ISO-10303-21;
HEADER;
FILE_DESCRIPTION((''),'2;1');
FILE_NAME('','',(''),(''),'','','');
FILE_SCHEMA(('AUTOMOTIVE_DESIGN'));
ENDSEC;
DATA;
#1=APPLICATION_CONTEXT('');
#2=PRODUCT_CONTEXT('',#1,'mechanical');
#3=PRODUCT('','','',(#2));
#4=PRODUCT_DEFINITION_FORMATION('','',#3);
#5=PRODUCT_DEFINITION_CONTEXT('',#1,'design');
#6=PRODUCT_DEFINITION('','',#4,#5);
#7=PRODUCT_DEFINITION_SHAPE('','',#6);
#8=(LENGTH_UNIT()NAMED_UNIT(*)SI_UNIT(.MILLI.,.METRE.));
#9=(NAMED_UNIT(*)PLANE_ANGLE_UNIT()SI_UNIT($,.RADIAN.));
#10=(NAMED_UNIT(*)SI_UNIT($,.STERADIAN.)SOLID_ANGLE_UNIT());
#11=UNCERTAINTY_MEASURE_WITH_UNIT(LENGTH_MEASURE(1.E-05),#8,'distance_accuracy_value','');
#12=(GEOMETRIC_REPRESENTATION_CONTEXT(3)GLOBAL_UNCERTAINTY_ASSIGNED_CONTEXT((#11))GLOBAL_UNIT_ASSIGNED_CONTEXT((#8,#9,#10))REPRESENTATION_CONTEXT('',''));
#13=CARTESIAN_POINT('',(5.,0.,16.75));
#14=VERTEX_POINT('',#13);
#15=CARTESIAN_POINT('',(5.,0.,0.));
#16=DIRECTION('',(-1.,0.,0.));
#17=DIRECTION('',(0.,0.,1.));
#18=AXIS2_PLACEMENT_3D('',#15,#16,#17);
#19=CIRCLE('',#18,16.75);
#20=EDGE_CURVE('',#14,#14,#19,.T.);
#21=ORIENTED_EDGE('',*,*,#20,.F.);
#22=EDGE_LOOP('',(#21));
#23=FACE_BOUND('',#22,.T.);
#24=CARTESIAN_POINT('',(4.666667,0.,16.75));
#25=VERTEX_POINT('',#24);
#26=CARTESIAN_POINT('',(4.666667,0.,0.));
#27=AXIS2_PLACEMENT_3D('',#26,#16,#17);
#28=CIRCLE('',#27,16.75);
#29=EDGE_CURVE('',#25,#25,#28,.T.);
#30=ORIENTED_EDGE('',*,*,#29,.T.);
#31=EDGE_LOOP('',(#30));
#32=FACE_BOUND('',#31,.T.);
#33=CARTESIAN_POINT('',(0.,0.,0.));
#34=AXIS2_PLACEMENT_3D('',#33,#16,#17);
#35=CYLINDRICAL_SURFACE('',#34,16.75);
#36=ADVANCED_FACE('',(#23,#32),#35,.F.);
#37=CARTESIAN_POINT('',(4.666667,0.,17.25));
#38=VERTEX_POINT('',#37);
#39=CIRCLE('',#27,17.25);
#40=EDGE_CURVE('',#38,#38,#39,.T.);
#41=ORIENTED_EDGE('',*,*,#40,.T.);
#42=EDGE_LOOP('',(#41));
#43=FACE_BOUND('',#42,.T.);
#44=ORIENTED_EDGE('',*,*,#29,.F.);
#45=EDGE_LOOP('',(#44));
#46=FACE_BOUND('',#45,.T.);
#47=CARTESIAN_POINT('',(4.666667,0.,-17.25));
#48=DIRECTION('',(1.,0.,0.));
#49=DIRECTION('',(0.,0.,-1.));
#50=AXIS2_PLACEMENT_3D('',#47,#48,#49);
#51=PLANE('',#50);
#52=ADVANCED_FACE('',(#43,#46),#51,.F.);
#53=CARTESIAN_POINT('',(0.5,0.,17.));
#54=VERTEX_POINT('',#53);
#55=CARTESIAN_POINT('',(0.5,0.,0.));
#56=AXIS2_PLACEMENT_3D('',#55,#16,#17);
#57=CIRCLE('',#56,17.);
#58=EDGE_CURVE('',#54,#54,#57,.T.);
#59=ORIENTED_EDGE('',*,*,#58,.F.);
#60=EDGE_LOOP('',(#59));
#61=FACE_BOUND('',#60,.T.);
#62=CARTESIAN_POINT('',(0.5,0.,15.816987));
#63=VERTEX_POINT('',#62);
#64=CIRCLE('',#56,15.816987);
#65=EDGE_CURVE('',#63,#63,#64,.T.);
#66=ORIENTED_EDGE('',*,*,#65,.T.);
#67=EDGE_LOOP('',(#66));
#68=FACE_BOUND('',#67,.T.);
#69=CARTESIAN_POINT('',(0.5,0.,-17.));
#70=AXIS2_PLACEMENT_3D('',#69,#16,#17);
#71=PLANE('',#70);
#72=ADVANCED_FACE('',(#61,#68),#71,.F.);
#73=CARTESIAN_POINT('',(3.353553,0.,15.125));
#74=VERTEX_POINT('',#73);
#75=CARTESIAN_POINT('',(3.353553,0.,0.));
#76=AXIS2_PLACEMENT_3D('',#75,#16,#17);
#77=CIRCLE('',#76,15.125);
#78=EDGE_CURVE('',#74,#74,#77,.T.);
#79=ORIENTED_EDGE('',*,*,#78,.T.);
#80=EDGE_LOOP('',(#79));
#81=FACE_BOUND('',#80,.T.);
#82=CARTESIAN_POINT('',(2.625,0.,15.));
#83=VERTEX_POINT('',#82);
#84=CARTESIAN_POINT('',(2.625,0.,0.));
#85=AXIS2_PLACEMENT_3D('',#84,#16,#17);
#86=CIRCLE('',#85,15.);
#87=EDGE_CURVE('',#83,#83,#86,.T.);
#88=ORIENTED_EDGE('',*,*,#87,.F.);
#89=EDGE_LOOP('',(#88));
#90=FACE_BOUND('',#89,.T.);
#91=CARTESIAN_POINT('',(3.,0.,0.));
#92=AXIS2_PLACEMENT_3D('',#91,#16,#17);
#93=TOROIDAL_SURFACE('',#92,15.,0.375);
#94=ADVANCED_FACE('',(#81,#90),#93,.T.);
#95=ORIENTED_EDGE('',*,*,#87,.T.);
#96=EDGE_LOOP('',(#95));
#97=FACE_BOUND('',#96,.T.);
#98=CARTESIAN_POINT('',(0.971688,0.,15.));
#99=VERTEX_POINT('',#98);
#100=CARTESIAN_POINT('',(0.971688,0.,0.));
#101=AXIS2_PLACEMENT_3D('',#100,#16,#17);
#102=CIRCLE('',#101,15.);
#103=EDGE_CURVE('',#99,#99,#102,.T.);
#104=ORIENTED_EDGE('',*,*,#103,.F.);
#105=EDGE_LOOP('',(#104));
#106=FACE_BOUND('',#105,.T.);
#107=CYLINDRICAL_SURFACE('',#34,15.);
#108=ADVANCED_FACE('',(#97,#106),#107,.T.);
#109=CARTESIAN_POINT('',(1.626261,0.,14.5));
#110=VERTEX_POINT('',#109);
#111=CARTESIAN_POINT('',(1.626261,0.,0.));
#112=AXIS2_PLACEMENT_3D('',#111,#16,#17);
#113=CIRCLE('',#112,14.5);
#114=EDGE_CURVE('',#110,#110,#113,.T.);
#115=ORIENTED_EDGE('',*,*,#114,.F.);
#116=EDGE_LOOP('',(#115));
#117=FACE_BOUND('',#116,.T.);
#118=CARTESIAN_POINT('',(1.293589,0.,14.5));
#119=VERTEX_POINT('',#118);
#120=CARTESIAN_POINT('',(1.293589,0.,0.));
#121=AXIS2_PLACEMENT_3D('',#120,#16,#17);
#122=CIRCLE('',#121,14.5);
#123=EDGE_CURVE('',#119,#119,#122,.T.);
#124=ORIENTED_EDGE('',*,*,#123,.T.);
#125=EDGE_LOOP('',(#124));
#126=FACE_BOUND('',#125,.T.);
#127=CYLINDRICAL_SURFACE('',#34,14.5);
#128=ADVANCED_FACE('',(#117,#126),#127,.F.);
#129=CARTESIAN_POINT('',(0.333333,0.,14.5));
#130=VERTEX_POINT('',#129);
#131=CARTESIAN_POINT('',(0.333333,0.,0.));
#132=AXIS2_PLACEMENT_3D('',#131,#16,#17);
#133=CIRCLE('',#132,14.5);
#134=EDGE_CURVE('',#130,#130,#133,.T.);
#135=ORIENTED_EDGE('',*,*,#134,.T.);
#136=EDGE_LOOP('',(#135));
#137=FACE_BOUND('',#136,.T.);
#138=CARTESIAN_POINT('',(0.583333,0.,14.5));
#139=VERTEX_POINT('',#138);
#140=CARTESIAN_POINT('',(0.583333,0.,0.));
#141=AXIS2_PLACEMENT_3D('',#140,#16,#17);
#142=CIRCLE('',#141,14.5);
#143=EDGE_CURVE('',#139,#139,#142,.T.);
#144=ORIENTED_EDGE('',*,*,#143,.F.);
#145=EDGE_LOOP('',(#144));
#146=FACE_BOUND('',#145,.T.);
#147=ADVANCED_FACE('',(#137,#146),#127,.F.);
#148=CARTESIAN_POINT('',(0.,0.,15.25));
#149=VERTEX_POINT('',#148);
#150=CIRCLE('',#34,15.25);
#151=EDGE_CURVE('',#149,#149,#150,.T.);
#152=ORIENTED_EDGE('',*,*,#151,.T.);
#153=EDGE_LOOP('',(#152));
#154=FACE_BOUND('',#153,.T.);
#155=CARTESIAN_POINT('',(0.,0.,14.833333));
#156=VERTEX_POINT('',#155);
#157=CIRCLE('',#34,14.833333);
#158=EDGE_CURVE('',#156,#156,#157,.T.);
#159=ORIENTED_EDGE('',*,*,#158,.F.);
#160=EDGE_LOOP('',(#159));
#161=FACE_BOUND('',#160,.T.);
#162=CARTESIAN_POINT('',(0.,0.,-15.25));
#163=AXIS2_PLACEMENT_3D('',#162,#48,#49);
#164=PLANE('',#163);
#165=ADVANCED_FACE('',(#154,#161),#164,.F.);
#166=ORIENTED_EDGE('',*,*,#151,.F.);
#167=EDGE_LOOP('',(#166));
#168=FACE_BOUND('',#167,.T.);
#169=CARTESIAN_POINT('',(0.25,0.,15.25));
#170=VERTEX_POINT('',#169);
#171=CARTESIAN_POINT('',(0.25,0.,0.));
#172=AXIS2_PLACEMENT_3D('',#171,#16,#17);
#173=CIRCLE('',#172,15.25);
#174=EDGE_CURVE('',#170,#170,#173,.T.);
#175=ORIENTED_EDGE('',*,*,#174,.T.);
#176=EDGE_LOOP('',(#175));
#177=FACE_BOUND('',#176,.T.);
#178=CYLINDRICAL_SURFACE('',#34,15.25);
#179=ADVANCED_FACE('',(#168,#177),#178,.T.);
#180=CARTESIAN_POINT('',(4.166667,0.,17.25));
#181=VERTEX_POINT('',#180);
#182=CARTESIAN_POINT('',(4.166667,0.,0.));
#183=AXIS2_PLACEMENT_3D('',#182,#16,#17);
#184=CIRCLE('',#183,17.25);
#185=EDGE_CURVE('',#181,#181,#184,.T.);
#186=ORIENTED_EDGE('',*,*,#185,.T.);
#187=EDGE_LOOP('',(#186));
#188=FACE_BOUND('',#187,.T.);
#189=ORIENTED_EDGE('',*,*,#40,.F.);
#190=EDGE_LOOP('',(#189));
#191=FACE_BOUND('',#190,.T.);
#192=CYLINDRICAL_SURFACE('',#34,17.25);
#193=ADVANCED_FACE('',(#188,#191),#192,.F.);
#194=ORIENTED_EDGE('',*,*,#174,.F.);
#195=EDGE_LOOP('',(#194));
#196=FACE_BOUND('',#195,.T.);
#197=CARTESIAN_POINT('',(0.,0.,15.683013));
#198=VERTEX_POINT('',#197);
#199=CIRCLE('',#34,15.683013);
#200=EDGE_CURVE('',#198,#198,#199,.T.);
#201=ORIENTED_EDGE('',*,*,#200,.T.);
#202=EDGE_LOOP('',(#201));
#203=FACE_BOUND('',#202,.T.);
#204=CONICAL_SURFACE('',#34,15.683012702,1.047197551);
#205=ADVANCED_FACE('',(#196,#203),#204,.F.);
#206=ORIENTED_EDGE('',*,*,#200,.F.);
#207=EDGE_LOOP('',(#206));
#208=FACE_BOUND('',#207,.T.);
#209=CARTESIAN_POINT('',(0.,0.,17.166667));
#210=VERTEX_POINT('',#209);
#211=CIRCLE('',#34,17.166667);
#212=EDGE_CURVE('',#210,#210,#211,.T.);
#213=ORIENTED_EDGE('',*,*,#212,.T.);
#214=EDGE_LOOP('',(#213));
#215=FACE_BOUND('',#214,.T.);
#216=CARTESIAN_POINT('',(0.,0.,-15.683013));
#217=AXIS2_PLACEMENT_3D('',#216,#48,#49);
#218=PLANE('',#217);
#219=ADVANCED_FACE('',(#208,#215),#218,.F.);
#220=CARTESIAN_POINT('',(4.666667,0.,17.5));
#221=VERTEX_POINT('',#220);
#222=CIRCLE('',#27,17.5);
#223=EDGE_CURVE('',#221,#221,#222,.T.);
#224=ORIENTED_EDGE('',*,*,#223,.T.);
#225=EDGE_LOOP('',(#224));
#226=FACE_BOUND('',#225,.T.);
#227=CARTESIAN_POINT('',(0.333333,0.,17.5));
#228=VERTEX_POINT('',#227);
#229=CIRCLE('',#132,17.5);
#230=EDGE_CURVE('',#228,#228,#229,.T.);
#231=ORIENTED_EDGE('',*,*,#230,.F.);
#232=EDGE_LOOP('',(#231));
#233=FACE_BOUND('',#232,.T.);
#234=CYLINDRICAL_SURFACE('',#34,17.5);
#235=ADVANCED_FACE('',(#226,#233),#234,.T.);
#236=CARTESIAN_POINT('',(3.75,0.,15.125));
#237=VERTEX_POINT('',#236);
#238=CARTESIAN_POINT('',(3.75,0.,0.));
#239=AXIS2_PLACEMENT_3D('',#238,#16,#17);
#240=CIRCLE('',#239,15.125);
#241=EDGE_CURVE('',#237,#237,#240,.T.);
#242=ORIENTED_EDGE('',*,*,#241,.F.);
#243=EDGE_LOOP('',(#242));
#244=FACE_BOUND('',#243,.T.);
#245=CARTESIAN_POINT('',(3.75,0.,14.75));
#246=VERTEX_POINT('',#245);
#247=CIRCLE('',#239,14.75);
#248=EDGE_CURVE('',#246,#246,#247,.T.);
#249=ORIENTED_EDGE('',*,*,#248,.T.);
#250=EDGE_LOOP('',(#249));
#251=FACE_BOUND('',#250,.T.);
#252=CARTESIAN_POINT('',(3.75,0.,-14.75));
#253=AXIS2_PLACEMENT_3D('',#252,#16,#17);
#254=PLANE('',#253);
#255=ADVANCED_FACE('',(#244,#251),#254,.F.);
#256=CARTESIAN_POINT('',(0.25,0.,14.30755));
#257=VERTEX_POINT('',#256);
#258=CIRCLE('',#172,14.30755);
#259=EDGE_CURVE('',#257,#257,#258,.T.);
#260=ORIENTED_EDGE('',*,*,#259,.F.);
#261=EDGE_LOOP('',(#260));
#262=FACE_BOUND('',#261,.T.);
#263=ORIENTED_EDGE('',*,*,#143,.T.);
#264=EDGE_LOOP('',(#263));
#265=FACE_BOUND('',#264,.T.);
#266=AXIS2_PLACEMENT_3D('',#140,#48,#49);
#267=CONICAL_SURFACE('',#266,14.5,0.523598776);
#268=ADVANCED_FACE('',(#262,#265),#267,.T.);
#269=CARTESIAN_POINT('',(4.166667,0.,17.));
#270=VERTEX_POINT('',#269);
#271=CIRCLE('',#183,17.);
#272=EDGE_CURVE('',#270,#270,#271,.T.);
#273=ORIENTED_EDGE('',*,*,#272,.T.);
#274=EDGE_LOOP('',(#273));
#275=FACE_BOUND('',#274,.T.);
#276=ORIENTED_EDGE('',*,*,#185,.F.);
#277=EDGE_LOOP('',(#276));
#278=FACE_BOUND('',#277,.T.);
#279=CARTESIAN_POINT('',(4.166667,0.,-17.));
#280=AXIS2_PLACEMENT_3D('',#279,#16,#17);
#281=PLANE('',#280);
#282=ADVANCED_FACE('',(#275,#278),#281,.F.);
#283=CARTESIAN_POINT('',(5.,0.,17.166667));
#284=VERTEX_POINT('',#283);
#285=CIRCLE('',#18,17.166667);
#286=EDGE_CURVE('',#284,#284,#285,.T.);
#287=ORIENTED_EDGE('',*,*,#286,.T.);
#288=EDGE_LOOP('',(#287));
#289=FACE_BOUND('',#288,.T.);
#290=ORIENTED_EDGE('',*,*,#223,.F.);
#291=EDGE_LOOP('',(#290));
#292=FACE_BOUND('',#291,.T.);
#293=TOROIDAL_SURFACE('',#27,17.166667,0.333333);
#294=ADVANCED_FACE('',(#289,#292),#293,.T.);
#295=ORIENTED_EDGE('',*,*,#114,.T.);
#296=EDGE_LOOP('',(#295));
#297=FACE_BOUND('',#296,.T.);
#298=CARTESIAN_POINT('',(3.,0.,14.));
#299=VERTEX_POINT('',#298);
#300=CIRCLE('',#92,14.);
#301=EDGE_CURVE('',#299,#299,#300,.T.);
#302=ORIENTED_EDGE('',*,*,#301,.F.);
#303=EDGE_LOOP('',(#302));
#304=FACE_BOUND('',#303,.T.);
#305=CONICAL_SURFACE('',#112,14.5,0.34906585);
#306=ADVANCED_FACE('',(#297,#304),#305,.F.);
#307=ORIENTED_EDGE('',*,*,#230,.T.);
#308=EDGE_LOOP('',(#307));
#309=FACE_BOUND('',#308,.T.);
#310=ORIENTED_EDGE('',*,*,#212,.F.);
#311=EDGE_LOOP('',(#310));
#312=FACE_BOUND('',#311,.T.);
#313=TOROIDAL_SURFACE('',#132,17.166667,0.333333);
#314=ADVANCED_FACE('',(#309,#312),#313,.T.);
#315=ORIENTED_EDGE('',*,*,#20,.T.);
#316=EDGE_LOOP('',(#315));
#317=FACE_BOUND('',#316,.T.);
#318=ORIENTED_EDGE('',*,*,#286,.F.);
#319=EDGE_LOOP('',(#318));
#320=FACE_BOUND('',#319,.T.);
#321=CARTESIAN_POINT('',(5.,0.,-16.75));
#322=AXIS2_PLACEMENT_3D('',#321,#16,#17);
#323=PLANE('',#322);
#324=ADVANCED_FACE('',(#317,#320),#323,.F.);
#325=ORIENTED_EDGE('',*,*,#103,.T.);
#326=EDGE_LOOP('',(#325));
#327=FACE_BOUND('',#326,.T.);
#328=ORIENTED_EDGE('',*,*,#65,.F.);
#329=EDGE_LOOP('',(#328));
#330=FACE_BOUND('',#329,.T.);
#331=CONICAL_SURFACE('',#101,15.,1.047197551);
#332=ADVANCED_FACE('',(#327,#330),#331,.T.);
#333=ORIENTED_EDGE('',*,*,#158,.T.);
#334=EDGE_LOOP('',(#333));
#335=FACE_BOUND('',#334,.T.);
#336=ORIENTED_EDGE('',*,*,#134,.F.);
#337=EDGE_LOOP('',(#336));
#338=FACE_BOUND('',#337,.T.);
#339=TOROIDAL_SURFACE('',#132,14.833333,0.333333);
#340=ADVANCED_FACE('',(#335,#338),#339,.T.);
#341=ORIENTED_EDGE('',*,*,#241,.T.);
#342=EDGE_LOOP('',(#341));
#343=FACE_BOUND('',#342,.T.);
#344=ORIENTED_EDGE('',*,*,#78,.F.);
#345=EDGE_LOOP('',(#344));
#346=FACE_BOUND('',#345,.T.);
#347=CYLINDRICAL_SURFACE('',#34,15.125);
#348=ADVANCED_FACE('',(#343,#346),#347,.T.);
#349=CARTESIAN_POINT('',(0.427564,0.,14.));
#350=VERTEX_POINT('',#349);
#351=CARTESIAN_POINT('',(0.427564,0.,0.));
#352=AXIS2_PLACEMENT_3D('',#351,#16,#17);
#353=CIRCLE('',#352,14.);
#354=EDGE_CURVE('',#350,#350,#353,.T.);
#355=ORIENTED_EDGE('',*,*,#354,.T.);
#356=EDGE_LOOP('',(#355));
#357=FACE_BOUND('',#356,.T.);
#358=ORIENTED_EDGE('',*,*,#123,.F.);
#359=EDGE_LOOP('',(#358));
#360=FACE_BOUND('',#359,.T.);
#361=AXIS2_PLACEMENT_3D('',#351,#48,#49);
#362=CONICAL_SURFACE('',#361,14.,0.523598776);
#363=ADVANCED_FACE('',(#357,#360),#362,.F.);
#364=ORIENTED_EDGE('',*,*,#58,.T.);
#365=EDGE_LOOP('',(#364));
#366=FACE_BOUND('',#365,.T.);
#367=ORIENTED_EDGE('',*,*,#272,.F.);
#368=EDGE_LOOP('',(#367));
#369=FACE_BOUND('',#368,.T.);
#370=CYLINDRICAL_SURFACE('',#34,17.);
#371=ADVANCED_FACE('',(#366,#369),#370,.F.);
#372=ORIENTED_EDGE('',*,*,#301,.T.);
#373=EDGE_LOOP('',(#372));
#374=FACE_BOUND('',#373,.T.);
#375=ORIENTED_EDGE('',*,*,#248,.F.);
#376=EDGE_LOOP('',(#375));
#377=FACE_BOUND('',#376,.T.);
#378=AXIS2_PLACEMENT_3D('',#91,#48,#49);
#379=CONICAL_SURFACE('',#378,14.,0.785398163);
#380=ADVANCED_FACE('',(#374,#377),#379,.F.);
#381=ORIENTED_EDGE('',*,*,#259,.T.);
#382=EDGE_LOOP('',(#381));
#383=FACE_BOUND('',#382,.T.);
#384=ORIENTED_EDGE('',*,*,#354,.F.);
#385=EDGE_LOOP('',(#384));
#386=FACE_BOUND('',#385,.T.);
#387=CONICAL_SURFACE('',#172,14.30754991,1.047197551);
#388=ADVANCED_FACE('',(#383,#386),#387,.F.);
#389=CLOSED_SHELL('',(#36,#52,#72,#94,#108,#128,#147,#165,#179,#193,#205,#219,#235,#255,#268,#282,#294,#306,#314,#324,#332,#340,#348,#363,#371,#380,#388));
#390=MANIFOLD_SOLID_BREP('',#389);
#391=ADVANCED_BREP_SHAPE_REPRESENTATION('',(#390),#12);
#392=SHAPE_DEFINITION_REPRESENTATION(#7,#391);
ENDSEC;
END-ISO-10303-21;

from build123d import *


with BuildPart() as part:
    # Esquisse1 → Base-Révolution (revolve)
    with BuildSketch(Plane(origin=(0, 0, 0), x_dir=(1, 0, 0), z_dir=(0, 1, 0)), mode=Mode.PRIVATE) as base_r_volution_sk:
        with BuildLine():
            Line((0, 15.683012702), (0, 17.166666667))
            ThreePointArc((0, 17.166666667), (0.097631073, 17.402368927), (0.333333333, 17.5))
            Line((0.333333333, 17.5), (4.666666667, 17.5))
            ThreePointArc((4.666666667, 17.5), (4.902368927, 17.402368927), (5, 17.166666667))
            Line((5, 17.166666667), (5, 16.75))
            Line((5, 16.75), (4.666666667, 16.75))
            Line((4.666666667, 16.75), (4.666666667, 17.25))
            Line((4.666666667, 17.25), (4.166666667, 17.25))
            Line((4.166666667, 17.25), (4.166666667, 17))
            Line((4.166666667, 17), (0.5, 17))
            Line((0.5, 17), (0.5, 15.816987298))
            Line((0.5, 15.816987298), (0.971687836, 15))
            Line((0.971687836, 15), (2.625, 15))
            ThreePointArc((2.625, 15), (2.936586758, 15.36959946), (3.353553391, 15.125))
            Line((3.353553391, 15.125), (3.75, 15.125))
            Line((3.75, 15.125), (3.75, 14.75))
            Line((3.75, 14.75), (3, 14))
            Line((3, 14), (1.62626129, 14.5))
            Line((1.62626129, 14.5), (1.293589427, 14.5))
            Line((1.293589427, 14.5), (0.427564023, 14))
            Line((0.427564023, 14), (0.25, 14.30754991))
            Line((0.25, 14.30754991), (0.583333333, 14.5))
            Line((0.583333333, 14.5), (0.333333333, 14.5))
            ThreePointArc((0.333333333, 14.5), (0.097631073, 14.597631073), (0, 14.833333333))
            Line((0, 14.833333333), (0, 15.25))
            Line((0, 15.25), (0.25, 15.25))
            Line((0.25, 15.25), (0, 15.683012702))
        make_face()
    revolve(base_r_volution_sk.sketch.rotate(Axis((0, 0, 0), (1, 0, 0)), 180), axis=Axis((0, 0, 0), (1, 0, 0)))


solid = part.part
